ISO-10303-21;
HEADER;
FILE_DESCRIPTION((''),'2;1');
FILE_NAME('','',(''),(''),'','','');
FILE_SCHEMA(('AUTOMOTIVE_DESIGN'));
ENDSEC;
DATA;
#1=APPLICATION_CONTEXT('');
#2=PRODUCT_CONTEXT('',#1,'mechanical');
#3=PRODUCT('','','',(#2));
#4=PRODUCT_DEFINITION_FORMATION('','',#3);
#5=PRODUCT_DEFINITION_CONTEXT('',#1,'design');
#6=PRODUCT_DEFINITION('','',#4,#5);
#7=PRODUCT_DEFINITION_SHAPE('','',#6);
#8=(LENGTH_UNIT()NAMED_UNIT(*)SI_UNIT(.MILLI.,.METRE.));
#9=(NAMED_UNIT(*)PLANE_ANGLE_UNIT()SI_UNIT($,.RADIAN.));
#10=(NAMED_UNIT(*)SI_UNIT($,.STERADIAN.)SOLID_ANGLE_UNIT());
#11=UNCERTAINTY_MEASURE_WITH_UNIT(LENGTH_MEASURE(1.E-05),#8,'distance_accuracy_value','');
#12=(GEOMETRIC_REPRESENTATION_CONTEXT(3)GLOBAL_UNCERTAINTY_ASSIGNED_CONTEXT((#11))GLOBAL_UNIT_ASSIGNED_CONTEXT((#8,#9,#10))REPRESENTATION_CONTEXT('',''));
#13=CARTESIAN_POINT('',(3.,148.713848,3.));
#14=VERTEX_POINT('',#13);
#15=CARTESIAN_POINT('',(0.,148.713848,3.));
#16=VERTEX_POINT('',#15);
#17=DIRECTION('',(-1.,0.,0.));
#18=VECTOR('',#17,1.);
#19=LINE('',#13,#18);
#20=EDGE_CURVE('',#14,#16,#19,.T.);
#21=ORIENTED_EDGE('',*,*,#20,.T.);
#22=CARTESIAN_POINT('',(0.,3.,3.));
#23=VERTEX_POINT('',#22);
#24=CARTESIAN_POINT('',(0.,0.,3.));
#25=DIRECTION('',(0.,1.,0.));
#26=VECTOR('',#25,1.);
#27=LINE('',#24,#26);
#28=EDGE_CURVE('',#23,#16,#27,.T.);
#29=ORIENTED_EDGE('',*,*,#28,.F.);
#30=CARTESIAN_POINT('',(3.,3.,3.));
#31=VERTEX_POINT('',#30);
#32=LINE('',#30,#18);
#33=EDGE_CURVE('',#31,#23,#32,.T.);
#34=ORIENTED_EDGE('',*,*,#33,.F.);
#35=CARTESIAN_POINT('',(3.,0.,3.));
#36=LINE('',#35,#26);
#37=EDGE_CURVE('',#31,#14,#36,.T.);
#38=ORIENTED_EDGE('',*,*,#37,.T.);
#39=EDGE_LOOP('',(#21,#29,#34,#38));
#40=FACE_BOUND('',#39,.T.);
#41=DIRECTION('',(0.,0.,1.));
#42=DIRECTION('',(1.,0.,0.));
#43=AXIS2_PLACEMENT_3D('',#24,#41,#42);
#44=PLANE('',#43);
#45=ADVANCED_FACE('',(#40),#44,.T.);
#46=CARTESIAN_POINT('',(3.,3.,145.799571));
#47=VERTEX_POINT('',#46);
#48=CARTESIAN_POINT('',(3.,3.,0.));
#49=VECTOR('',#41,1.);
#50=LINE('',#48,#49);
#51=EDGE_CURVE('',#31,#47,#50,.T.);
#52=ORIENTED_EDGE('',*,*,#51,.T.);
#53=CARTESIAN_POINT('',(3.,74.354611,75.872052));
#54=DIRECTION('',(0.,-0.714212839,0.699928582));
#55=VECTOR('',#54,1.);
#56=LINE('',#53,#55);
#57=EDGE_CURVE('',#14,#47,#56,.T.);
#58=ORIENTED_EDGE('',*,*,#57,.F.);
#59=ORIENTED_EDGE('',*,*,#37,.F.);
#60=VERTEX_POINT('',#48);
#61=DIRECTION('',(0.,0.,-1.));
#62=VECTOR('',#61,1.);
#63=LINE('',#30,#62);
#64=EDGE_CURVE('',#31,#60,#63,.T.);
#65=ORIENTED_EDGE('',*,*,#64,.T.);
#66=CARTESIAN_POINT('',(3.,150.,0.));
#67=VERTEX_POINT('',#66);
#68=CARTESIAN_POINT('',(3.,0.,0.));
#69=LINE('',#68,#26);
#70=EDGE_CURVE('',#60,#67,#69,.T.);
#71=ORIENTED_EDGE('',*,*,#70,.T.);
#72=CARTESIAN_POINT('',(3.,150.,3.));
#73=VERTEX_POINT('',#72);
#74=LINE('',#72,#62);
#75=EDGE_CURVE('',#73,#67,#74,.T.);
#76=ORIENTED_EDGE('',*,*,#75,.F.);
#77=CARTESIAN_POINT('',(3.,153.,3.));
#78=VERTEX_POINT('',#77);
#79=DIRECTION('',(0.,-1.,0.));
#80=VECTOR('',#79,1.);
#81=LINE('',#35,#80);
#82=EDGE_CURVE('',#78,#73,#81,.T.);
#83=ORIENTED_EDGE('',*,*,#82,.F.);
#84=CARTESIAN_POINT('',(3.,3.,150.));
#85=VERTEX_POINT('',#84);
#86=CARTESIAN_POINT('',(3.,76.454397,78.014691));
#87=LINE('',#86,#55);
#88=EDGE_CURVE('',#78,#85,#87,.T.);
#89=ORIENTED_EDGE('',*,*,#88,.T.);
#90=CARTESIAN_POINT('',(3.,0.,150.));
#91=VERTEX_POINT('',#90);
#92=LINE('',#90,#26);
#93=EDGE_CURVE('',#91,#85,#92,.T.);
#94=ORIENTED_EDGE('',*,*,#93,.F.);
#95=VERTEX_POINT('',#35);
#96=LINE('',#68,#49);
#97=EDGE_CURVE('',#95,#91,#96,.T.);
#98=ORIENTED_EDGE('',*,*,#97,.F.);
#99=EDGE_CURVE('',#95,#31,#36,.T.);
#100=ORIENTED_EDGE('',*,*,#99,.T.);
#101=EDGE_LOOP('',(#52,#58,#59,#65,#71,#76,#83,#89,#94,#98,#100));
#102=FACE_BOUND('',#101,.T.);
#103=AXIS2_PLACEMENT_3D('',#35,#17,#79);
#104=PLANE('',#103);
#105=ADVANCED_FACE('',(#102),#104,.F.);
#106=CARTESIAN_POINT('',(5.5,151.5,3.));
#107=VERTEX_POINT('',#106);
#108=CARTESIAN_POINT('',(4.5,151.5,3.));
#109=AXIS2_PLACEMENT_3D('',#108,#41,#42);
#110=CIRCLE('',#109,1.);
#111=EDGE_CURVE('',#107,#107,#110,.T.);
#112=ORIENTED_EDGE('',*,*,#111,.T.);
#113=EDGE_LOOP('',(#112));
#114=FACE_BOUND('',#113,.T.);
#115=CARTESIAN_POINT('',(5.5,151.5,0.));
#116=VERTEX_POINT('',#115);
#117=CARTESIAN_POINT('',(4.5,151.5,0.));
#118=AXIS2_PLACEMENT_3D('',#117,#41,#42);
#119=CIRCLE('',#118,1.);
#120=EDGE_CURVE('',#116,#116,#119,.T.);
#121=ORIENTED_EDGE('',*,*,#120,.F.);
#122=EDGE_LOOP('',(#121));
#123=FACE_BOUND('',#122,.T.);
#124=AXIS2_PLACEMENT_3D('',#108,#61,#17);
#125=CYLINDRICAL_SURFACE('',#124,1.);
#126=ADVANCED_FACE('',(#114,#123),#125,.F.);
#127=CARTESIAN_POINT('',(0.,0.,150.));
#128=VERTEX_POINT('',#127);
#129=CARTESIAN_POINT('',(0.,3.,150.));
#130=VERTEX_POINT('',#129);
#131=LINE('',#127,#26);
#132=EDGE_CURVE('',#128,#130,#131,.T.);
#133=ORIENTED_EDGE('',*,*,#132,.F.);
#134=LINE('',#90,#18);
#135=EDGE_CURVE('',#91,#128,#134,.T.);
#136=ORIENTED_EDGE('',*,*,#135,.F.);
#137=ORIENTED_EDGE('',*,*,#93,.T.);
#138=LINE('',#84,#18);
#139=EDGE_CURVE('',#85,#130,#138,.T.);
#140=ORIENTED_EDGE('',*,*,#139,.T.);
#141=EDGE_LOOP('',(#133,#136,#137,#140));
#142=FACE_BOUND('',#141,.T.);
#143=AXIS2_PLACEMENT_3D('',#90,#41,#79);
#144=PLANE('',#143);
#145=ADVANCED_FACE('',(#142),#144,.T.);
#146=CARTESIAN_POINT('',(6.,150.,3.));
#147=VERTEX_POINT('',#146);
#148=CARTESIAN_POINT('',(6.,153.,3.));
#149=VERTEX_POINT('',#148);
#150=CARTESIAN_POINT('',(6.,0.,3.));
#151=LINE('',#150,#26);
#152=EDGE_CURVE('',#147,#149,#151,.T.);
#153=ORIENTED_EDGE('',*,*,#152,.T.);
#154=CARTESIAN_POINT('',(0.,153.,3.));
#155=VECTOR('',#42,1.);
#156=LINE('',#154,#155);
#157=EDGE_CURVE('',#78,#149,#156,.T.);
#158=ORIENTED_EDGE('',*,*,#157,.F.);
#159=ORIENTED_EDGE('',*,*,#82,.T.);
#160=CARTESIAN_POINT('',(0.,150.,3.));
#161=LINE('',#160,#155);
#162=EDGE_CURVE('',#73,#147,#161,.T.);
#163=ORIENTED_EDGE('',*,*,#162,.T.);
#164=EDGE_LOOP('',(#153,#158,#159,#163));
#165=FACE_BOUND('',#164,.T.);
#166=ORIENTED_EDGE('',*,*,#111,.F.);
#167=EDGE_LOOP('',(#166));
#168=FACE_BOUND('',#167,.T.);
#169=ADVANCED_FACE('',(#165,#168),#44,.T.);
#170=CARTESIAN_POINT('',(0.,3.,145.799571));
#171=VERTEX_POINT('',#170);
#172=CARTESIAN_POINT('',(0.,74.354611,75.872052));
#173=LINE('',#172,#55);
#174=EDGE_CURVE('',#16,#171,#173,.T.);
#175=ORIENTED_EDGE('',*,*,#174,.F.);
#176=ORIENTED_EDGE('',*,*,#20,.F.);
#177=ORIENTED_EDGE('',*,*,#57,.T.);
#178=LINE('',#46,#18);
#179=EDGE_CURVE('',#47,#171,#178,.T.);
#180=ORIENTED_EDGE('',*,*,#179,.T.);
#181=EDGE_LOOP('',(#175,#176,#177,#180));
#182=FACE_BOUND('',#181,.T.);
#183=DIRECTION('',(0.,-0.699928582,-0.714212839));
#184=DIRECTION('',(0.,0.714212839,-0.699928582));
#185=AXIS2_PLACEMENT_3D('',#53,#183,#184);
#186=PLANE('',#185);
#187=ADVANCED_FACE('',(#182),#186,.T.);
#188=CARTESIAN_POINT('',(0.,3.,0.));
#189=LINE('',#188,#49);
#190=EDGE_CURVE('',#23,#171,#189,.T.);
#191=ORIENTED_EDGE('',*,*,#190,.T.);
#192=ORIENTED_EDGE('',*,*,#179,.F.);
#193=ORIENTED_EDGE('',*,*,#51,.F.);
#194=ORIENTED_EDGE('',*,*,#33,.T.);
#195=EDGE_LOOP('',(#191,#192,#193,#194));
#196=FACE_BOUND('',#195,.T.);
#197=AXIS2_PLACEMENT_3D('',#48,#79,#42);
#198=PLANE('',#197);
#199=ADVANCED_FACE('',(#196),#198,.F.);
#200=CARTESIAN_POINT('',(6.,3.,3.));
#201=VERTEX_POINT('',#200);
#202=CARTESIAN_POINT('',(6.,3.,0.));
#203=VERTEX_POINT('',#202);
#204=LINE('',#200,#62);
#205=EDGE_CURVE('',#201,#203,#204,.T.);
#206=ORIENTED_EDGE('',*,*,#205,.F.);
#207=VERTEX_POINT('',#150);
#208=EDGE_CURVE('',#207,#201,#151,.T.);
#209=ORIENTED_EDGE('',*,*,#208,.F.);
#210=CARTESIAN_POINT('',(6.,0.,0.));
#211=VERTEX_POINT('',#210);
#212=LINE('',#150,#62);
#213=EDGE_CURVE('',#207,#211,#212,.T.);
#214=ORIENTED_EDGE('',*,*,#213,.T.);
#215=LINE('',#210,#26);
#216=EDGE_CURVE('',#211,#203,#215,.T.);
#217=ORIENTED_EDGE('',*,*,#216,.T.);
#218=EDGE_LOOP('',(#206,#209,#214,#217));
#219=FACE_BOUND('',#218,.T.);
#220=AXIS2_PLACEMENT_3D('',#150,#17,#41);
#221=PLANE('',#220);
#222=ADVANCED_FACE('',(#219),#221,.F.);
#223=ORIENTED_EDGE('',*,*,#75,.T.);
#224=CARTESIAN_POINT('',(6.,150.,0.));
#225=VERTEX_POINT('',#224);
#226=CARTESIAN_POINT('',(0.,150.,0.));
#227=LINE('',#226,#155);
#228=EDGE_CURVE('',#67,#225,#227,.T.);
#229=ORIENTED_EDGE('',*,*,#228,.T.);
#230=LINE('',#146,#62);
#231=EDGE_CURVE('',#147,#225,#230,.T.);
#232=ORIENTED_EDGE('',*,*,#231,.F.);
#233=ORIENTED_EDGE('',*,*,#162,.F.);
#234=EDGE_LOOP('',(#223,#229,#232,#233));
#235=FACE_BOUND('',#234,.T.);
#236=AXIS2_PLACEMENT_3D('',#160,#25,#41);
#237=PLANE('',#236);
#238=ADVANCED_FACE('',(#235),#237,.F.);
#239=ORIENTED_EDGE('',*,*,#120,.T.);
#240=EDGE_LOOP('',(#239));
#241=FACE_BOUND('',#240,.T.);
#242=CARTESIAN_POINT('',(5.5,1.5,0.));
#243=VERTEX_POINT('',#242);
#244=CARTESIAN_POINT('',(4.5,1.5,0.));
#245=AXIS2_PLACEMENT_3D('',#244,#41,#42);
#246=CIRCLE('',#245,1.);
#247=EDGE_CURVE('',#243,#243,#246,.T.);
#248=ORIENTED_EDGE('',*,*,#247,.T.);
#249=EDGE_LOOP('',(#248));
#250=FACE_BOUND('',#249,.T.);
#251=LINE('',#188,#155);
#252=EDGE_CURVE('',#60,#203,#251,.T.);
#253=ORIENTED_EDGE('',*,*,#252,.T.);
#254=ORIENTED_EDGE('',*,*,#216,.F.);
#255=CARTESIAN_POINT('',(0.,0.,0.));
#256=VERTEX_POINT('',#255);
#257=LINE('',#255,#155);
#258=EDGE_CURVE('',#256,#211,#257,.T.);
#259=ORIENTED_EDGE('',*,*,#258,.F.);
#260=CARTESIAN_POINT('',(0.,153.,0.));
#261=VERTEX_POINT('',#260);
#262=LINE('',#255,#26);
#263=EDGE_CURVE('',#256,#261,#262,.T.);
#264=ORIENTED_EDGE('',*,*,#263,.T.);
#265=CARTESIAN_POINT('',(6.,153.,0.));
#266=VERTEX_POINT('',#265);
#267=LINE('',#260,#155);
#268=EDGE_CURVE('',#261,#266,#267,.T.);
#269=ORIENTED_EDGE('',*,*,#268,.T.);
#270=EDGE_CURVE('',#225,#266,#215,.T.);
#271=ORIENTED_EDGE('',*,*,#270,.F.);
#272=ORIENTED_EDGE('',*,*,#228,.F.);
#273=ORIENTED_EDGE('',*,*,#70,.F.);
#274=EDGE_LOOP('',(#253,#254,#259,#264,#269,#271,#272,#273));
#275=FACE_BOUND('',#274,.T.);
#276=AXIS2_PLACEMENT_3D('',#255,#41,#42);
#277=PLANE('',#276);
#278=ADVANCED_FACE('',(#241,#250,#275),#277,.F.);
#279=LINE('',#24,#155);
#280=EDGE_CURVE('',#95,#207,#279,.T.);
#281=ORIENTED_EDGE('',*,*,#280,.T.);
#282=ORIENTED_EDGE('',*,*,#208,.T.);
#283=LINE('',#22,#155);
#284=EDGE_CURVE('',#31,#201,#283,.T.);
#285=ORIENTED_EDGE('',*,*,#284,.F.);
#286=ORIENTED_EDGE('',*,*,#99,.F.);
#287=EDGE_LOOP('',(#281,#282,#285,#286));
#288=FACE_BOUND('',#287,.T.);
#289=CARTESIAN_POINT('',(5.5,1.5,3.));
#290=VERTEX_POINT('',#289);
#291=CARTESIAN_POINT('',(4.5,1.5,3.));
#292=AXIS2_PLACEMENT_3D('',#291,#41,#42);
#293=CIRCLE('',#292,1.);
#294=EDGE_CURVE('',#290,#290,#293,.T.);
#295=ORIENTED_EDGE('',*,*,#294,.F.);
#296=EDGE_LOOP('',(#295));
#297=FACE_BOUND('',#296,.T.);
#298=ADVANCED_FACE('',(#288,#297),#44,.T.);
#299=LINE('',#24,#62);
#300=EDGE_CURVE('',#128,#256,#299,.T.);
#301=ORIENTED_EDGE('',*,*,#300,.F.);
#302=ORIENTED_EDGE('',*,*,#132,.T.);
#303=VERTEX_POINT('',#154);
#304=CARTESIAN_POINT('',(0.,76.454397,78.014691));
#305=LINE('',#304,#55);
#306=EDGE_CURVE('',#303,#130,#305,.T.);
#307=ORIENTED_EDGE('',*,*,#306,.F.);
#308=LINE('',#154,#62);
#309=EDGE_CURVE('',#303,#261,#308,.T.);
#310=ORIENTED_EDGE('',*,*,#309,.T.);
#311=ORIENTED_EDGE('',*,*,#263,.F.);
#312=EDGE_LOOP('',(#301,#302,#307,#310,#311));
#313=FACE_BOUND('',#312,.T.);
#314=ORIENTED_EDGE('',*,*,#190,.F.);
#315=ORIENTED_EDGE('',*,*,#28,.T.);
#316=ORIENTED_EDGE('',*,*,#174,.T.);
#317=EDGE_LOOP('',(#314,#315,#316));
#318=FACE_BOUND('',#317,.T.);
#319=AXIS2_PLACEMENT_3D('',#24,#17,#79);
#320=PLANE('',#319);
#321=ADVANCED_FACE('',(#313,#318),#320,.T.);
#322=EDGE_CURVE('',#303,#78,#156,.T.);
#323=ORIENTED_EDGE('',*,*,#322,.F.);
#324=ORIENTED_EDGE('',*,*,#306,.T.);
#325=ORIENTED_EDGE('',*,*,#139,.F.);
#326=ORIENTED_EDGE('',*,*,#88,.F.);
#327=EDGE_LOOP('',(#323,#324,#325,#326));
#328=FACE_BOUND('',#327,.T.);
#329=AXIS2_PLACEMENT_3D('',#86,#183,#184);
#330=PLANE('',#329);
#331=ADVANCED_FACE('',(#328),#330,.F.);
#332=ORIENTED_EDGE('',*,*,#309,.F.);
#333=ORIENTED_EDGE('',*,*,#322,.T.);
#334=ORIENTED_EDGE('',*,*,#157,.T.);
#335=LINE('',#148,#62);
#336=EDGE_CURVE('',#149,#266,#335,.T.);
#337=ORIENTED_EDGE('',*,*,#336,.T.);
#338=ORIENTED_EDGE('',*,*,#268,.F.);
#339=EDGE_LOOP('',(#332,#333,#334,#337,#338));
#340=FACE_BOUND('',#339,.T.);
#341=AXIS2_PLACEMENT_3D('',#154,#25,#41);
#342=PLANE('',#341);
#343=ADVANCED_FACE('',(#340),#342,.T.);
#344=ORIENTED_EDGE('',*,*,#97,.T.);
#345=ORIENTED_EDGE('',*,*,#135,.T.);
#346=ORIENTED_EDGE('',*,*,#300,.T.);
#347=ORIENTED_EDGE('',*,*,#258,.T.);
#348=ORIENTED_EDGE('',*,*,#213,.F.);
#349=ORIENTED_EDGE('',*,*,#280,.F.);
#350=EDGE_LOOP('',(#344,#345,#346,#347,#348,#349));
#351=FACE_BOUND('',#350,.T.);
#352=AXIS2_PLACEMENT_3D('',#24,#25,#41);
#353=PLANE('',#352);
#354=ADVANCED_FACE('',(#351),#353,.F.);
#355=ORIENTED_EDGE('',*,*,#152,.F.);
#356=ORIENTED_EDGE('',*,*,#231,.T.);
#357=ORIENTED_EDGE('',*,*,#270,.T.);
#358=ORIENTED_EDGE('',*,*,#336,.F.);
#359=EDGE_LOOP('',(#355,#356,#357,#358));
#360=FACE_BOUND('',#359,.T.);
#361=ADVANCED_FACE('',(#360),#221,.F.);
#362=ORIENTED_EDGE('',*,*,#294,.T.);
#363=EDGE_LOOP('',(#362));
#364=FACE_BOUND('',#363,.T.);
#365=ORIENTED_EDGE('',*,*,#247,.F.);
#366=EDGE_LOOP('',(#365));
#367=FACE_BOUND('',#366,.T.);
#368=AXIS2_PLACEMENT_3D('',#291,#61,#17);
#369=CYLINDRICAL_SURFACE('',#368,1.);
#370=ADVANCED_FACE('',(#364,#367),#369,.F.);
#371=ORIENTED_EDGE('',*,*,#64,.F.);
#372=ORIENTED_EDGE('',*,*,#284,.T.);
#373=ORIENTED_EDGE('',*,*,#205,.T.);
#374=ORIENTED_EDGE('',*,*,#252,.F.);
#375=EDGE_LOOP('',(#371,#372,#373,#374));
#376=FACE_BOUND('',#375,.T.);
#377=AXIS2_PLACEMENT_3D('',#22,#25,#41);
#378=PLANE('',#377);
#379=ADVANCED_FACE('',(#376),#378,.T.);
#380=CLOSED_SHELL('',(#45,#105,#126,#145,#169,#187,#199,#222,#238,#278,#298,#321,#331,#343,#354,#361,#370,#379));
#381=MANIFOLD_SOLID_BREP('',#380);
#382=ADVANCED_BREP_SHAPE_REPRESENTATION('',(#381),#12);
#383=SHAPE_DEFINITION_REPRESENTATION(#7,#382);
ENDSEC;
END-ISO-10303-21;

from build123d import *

# Parameters (mm, degrees)
SKICA1_W                = 3
SKICA1_H                = 3
SKICA1_R                = 1
SKICA1_H_2              = 147
P_IDAT_VYSUNUT_M1_DEPTH = 3
P_IDAT_VYSUNUT_M3_DEPTH = 3


with BuildPart() as part:
    # Skica1 → Přidat vysunutím1 (new body)
    # profile 1 of 5: a face of its own
    with BuildSketch(Plane.XY):
        with Locations((4.5, 151.5)):
            Rectangle(SKICA1_W, SKICA1_H)
        with Locations((4.5, 151.5)):
            Circle(SKICA1_R, mode=Mode.SUBTRACT)
    # profile 2 of 5: a face of its own
    with BuildSketch(Plane.XY):
        with Locations((1.5, 151.5)):
            Rectangle(SKICA1_W, SKICA1_H)
    # profile 3 of 5: a face of its own
    with BuildSketch(Plane.XY):
        with Locations((1.5, 76.5)):
            Rectangle(SKICA1_W, SKICA1_H_2)
    # profile 4 of 5: a face of its own
    with BuildSketch(Plane.XY):
        with Locations((1.5, 1.5)):
            Rectangle(SKICA1_W, SKICA1_H)
    # profile 5 of 5: a face of its own
    with BuildSketch(Plane.XY):
        with Locations((4.5, 1.5)):
            Rectangle(SKICA1_W, SKICA1_H)
        with Locations((4.5, 1.5)):
            Circle(SKICA1_R, mode=Mode.SUBTRACT)
    extrude(amount=P_IDAT_VYSUNUT_M1_DEPTH)

    # Skica6 → Přidat vysunutím3 (add)
    with BuildSketch(Plane.ZY):
        Polygon((150, 3), (3, 153), (3, 148.713848419), (145.79957145, 3), (3, 3), (3, 0), (150, 0), align=None)
    extrude(amount=-P_IDAT_VYSUNUT_M3_DEPTH)


solid = part.part
